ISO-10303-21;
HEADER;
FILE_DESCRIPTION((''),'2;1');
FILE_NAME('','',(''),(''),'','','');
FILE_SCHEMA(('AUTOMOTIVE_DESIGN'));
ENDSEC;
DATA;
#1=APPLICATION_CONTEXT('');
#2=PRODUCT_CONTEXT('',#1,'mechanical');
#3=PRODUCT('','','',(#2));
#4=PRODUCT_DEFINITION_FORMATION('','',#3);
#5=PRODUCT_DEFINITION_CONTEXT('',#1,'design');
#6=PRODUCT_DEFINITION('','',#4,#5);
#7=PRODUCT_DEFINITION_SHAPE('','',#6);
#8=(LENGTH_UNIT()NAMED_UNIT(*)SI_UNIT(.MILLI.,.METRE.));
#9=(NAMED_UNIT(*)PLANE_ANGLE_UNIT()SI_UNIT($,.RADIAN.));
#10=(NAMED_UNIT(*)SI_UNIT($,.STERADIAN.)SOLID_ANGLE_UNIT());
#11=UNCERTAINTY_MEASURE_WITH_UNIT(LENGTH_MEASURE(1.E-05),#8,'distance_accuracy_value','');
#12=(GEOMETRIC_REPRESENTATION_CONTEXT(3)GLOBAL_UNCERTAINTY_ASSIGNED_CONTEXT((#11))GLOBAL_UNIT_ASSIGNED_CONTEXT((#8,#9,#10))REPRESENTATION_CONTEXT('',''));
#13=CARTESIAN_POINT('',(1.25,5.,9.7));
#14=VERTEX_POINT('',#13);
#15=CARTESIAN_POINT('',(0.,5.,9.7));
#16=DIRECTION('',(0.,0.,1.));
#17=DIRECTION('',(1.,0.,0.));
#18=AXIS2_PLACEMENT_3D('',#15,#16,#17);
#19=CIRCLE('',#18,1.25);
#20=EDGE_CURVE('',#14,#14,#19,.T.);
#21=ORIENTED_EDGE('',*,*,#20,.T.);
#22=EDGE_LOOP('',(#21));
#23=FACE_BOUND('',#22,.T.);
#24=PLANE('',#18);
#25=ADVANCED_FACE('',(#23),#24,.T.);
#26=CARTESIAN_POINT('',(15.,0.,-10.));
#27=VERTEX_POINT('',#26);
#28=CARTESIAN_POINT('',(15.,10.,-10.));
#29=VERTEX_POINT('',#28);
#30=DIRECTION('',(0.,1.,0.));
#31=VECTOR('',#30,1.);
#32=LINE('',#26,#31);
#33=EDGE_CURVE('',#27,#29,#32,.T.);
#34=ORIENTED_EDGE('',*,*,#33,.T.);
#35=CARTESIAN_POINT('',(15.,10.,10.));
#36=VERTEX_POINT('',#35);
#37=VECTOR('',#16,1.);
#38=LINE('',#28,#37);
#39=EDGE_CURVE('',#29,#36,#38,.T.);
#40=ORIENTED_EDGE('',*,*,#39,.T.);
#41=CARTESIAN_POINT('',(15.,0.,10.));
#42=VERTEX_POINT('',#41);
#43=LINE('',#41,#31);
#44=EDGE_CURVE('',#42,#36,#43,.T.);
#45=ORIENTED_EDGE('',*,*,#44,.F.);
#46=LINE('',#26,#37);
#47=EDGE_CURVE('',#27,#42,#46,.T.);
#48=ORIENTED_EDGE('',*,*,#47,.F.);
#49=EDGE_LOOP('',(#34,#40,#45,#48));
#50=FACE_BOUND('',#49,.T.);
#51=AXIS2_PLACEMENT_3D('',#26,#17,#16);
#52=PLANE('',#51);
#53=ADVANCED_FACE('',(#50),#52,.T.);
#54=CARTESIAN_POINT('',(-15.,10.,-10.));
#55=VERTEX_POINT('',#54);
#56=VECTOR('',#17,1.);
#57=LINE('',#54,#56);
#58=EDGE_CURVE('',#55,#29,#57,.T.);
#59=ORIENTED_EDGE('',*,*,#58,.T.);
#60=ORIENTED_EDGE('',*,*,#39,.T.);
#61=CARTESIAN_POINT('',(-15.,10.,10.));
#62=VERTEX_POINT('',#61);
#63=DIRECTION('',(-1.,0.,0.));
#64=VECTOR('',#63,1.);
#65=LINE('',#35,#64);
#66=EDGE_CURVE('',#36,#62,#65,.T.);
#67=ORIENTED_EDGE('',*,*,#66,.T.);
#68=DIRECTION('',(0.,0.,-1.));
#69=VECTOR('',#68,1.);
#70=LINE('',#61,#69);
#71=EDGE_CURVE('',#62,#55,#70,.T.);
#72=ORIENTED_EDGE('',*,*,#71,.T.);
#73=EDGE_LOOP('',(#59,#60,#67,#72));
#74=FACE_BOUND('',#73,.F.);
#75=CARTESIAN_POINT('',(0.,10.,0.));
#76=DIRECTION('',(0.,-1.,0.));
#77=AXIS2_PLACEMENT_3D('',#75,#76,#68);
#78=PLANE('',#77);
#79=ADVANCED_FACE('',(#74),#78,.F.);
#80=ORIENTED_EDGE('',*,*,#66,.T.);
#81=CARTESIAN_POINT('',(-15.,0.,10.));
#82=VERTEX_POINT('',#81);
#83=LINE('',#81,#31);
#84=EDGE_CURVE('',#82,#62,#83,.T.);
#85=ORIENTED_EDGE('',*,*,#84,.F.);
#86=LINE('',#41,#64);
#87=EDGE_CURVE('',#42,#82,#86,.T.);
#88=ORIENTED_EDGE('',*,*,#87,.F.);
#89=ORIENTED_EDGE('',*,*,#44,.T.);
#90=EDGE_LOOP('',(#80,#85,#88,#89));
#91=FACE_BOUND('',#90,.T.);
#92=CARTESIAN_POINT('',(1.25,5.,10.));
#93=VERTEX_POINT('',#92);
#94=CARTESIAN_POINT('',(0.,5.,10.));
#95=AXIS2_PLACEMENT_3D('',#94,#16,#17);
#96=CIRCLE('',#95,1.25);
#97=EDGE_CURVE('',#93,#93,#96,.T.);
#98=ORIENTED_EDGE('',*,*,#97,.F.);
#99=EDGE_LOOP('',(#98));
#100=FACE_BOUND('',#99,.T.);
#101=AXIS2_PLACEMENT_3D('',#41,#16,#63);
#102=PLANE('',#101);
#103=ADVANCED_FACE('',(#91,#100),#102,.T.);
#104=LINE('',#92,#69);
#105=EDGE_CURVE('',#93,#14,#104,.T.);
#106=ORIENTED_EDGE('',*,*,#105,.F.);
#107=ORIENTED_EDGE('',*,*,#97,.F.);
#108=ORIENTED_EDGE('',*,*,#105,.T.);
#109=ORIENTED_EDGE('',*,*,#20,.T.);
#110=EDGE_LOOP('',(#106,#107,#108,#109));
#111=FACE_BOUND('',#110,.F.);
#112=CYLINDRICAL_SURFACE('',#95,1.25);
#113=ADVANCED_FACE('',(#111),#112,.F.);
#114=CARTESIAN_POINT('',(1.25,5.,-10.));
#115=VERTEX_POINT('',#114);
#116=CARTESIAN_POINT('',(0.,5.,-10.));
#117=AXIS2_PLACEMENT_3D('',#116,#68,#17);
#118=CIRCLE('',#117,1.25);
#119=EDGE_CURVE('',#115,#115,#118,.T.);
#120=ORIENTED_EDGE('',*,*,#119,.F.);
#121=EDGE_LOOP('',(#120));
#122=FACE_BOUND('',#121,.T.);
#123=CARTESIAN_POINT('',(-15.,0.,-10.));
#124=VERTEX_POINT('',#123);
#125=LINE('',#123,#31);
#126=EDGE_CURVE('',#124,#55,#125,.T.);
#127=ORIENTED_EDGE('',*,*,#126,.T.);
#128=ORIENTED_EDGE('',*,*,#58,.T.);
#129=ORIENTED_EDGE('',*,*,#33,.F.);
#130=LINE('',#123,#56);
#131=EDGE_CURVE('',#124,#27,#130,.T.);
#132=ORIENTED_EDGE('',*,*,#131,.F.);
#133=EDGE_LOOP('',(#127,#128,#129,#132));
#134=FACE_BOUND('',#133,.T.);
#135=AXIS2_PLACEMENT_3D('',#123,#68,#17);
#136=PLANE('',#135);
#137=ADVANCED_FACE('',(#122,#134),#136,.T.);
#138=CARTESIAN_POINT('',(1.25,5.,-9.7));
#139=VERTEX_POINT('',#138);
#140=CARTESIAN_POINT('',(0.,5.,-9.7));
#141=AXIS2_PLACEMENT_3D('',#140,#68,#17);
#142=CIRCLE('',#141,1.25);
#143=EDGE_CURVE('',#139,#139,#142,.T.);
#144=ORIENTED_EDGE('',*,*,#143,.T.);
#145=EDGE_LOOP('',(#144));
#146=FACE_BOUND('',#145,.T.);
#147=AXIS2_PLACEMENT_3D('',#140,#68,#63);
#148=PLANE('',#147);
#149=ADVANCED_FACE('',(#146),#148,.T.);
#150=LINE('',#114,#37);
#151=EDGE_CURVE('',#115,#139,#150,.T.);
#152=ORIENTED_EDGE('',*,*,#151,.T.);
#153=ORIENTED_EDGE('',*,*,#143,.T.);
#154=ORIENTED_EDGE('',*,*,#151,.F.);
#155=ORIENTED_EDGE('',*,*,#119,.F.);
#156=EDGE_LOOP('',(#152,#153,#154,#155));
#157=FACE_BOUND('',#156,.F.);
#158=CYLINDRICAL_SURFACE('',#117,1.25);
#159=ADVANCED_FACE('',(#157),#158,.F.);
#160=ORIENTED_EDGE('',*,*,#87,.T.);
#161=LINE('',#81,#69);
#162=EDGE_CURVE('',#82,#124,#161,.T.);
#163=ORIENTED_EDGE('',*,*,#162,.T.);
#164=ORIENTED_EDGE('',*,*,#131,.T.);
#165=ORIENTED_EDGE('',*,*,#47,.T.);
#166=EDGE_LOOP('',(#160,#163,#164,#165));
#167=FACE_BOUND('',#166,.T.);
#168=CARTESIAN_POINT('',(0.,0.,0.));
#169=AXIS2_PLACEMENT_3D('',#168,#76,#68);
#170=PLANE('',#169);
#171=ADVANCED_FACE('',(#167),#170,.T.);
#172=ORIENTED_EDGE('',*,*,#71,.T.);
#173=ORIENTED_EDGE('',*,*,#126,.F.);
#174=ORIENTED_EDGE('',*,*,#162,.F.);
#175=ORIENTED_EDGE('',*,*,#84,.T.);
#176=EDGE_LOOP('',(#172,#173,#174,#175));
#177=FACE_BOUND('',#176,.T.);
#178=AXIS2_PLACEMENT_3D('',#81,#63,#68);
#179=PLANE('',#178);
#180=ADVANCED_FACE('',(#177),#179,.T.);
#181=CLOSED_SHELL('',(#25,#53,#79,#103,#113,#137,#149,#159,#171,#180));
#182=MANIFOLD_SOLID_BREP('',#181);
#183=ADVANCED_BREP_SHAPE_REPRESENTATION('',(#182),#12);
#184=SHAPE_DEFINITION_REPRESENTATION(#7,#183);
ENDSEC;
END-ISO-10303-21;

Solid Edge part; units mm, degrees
sketch "Sketch1" plane through (0, 0, 0) normal (0, -1, 0) x (1, 0, 0)
  line L0 (-15, 10) -> (-15, -10)
  line L1 (-15, -10) -> (15, -10)
  line L2 (15, -10) -> (15, 10)
  line L3 (15, 10) -> (-15, 10)
  dimension "D1" = 10
  dimension "D2" = 15
  dimension "D3" = 15
  dimension "D4" = 10
extrude "Protrusion1" add sketch "Sketch1" against normal blind 10
sketch "Sketch2" plane through (0, 5, -10) normal (0, 0, -1) x (1, 0, 0)
  circle A0 centre (0, 0) radius 1.25
extrude "ExtrudedCutout_1" cut sketch "Sketch2" along normal mid plane 0.6
sketch "Sketch3" plane through (0, 5, 10) normal (0, 0, 1) x (1, 0, 0)
  circle A0 centre (0, 0) radius 1.25
extrude "ExtrudedCutout_2" cut sketch "Sketch3" along normal mid plane 0.6
